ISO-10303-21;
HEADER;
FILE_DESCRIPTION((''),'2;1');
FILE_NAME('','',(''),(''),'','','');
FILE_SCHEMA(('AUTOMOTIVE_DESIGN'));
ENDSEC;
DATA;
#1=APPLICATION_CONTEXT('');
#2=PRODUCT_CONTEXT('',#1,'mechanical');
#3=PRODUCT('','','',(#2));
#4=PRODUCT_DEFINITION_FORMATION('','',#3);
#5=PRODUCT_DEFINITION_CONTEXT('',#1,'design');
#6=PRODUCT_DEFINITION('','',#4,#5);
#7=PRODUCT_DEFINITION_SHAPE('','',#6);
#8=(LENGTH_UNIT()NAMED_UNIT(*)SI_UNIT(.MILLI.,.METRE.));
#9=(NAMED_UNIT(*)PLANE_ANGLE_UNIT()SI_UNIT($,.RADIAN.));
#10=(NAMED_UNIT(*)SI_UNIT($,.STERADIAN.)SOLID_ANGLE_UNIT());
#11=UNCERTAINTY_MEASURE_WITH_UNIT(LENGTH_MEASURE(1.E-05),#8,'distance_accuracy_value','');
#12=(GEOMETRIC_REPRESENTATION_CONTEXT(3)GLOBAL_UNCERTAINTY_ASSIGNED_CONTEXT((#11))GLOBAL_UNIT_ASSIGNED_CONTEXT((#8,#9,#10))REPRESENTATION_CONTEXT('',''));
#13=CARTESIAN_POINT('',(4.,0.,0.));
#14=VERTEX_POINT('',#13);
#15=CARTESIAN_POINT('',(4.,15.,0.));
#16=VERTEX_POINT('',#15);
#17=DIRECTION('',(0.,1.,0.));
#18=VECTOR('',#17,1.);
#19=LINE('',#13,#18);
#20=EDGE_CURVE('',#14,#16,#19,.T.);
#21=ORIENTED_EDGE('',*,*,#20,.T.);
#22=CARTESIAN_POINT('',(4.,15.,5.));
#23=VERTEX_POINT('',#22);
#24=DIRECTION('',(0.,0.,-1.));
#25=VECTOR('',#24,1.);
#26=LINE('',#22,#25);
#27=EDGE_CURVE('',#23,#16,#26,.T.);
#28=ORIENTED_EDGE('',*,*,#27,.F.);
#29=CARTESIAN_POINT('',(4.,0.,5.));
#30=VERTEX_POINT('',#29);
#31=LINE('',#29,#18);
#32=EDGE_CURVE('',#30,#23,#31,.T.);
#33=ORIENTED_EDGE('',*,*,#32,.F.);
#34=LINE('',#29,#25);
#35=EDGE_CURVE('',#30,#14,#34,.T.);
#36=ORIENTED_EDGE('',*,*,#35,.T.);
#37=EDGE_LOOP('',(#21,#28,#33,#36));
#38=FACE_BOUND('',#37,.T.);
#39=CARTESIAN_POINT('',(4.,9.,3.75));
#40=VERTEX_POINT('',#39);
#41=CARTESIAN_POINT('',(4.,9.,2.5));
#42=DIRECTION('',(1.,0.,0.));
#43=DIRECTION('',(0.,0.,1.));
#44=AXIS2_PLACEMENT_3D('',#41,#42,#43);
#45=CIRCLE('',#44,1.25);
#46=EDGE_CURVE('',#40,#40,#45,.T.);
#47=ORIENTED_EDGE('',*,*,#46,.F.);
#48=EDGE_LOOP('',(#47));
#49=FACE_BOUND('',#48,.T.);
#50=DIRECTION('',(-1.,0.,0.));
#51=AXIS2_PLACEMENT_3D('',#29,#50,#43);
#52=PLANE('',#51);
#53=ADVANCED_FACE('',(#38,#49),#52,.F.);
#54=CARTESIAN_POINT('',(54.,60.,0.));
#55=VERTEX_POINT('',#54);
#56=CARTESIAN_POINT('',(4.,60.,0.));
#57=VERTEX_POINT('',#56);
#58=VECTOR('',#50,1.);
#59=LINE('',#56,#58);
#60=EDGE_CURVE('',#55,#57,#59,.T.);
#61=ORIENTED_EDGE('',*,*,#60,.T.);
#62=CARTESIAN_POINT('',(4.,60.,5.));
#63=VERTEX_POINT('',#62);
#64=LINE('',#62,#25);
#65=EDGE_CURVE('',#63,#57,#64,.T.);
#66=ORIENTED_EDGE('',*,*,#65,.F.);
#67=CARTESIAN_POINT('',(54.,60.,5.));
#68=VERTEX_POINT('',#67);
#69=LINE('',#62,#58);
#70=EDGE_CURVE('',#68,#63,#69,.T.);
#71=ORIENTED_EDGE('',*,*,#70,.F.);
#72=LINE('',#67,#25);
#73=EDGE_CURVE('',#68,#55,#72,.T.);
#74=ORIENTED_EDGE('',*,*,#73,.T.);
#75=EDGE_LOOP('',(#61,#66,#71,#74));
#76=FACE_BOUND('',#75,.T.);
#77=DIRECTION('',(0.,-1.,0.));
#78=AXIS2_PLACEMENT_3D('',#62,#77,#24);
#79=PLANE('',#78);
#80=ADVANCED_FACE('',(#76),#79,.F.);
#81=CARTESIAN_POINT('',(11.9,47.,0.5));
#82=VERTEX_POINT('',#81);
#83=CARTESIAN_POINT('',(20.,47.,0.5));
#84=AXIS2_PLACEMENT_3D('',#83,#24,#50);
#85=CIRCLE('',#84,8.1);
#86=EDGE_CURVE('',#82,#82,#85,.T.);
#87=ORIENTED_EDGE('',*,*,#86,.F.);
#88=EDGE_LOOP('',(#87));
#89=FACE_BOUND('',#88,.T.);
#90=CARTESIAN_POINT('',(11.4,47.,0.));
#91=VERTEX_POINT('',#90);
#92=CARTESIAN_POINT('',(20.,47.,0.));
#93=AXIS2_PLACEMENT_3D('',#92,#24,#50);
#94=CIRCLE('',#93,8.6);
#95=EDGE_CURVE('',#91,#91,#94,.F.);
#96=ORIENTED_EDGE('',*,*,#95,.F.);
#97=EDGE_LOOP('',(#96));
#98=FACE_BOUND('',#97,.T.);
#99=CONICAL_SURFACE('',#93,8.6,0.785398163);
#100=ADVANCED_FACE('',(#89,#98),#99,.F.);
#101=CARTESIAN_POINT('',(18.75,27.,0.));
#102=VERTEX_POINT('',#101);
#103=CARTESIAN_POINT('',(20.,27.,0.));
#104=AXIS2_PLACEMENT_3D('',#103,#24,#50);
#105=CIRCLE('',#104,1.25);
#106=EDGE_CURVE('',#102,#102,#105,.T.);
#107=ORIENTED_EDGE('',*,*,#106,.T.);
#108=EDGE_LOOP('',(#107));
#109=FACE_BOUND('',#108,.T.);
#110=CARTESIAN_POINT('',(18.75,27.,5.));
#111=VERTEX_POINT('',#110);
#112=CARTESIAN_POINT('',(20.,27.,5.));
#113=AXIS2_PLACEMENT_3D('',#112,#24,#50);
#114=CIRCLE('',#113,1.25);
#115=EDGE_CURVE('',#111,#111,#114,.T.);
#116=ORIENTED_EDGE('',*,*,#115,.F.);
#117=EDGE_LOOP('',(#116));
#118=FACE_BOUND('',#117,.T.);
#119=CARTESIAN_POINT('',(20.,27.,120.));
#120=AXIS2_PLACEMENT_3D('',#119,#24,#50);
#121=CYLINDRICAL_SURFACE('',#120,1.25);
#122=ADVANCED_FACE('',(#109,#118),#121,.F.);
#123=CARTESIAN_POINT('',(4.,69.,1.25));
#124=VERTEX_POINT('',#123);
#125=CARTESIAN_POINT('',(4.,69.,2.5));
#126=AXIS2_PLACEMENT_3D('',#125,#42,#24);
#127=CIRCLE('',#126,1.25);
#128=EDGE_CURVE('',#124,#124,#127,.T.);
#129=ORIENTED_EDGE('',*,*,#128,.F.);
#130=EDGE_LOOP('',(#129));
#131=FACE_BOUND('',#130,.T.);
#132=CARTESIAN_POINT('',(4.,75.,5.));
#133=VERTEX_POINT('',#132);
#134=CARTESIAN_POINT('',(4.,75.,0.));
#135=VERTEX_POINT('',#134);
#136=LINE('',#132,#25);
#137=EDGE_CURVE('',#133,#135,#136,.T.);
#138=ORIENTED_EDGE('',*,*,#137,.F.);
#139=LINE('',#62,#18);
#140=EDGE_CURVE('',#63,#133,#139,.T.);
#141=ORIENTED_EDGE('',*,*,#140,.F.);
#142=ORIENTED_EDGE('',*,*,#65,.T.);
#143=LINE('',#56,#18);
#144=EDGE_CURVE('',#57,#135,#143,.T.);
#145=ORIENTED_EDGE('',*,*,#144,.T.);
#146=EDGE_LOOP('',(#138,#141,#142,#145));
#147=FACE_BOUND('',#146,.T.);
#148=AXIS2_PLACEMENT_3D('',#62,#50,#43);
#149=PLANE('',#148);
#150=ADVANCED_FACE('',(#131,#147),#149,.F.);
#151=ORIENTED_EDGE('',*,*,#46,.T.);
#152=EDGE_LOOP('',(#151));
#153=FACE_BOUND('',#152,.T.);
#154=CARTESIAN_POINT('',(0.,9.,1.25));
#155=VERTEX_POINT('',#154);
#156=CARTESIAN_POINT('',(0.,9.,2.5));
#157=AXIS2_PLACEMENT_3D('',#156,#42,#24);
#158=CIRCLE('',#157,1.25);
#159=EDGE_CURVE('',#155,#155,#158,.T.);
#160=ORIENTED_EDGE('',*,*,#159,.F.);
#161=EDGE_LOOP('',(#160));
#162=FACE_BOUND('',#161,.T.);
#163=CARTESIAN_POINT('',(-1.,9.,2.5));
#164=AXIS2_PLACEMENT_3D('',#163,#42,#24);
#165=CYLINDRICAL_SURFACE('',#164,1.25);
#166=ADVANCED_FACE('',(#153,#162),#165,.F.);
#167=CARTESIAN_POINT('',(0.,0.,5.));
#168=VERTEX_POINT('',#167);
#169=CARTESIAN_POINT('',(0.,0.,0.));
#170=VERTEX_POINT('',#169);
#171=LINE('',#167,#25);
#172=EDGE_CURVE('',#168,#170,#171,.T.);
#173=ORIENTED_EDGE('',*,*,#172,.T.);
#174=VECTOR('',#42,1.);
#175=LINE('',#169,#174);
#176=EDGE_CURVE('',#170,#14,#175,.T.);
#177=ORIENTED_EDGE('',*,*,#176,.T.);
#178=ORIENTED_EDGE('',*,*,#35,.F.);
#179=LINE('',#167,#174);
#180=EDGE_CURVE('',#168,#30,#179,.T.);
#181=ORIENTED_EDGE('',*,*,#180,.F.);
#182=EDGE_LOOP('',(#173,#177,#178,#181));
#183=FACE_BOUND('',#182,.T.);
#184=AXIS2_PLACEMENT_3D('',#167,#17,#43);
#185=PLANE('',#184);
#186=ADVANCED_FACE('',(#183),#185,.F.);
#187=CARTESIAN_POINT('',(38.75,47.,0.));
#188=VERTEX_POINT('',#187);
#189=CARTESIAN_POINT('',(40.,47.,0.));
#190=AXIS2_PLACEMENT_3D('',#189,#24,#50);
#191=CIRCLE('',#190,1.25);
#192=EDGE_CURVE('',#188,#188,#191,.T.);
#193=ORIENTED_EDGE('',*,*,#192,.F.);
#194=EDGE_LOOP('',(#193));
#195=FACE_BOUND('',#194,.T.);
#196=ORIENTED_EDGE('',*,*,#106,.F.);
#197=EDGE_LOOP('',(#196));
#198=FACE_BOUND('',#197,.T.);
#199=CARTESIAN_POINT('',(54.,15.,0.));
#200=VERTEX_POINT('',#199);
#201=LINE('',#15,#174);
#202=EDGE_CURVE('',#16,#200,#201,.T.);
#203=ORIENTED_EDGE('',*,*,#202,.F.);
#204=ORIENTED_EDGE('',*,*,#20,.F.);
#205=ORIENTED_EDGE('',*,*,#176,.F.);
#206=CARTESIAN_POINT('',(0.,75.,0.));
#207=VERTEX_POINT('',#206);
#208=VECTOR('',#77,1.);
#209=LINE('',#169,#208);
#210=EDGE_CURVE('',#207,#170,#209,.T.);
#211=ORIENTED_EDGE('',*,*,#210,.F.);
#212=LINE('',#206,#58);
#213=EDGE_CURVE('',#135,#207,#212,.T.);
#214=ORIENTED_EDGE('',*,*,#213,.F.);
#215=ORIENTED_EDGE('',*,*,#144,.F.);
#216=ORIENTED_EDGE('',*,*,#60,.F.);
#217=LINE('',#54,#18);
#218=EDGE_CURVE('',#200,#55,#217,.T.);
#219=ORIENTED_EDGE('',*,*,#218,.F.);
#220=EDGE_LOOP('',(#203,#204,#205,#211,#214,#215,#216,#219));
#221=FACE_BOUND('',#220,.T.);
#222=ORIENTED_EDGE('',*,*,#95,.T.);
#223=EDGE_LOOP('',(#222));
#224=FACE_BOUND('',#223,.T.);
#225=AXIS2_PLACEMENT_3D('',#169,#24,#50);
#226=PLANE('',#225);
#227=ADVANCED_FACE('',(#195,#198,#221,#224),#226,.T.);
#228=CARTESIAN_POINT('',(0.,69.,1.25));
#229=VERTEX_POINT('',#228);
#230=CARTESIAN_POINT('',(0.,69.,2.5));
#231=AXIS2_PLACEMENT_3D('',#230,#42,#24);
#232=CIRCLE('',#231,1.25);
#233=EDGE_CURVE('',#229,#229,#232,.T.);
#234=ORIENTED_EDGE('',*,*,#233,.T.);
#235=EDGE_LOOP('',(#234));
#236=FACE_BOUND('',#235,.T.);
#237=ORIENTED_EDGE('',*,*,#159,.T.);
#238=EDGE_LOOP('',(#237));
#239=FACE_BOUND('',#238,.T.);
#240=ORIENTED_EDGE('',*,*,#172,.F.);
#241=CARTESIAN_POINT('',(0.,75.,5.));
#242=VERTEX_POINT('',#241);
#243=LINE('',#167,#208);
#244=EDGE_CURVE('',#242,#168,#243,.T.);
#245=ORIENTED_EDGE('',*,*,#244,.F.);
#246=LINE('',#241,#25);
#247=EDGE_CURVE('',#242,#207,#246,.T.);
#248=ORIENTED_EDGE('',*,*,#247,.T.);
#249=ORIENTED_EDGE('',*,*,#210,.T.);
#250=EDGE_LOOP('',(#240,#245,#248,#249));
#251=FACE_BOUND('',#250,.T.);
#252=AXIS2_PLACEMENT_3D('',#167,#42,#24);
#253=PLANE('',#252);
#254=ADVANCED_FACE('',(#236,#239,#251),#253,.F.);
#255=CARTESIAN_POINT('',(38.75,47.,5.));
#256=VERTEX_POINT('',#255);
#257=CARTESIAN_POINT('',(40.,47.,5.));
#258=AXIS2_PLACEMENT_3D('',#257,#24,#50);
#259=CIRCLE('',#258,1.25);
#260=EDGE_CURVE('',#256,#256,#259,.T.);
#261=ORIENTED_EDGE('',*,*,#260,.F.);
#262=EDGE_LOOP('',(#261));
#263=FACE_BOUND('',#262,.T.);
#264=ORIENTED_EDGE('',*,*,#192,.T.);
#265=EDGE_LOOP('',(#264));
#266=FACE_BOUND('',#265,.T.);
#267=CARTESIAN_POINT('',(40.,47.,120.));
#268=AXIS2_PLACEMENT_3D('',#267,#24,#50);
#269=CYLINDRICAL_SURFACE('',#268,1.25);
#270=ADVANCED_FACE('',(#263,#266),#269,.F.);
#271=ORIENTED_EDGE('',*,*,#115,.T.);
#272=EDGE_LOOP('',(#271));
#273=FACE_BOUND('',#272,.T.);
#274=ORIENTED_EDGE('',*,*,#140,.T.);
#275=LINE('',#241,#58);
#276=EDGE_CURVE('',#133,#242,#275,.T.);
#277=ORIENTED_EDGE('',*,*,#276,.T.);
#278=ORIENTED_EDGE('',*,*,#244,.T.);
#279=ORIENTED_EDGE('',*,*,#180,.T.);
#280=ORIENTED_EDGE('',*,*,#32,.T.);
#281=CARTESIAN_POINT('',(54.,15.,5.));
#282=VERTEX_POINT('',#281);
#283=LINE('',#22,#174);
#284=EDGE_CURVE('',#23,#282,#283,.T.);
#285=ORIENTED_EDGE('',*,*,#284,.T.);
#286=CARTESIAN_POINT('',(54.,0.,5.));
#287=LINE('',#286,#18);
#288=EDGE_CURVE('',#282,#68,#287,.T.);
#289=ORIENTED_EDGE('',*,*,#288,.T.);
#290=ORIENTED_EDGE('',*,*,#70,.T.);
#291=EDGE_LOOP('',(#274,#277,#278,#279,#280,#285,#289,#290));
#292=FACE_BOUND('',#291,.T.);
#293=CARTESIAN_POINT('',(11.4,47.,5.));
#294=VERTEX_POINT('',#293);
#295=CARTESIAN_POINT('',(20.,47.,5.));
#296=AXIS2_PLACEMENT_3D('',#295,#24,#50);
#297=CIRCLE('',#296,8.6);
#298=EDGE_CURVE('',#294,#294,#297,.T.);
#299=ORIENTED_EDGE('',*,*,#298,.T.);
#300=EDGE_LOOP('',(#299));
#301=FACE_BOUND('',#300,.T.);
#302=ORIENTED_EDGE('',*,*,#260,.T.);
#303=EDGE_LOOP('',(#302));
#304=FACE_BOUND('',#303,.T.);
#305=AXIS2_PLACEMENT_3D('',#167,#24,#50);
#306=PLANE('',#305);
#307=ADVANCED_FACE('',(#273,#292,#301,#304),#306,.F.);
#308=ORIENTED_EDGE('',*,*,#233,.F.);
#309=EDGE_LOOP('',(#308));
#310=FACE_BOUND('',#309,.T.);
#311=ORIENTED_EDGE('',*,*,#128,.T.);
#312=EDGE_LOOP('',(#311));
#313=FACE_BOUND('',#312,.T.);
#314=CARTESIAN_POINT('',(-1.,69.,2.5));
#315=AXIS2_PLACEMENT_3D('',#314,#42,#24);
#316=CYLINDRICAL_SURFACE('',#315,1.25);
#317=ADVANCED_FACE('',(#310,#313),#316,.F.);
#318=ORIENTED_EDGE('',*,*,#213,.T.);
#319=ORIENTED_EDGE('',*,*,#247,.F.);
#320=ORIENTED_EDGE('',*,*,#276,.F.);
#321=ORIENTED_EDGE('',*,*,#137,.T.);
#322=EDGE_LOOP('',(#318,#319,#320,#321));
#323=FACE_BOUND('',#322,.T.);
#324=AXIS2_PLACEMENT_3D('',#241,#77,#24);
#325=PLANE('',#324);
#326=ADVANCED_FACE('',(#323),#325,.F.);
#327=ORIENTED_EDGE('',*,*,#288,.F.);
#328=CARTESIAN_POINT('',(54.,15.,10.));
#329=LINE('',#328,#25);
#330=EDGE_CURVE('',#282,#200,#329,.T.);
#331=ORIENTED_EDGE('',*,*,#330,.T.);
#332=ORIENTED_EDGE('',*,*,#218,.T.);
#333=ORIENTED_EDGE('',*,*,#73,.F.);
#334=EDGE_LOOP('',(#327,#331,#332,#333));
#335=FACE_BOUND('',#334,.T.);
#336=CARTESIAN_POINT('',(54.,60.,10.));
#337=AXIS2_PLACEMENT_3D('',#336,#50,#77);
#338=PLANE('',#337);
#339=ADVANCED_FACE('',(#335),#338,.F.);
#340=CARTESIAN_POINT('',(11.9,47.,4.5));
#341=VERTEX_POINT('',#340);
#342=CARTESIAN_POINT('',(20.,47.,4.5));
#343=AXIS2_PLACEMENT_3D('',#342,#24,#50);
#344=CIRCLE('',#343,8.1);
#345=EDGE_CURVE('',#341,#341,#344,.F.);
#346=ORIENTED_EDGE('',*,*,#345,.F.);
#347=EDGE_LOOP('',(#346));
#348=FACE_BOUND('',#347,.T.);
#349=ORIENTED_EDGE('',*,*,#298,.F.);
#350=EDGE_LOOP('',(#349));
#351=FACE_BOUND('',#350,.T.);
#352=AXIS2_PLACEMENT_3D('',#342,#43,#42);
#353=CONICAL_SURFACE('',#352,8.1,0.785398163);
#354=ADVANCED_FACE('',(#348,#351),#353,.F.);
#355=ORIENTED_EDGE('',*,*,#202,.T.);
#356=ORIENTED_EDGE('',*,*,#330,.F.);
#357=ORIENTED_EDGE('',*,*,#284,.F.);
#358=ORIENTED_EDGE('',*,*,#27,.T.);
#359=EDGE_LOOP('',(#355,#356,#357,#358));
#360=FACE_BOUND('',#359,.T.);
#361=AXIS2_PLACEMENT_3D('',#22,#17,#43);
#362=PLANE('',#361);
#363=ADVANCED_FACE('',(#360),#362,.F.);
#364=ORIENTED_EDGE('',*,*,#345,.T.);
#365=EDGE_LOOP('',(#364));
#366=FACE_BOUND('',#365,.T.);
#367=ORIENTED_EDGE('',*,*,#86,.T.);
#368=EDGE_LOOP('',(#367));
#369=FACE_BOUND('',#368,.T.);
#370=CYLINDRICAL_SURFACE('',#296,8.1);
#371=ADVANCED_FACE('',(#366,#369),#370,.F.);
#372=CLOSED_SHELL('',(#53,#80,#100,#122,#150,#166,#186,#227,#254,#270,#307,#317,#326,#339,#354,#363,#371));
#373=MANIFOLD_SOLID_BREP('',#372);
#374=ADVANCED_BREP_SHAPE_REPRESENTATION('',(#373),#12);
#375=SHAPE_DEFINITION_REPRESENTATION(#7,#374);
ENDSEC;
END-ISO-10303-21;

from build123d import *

# Parameters (mm, degrees)
SKETCH_1_R          = 8.1
EXTRUDE_1_DEPTH     = 5
SKETCH_2_R          = 1.25
CUT_EXTRUDE_1_DEPTH = 5
SKETCH_3_R          = 1.25
CUT_EXTRUDE_2_DEPTH = 120
CHAMFER_1_SIZE      = 0.5
SKETCH_4_W          = 16
SKETCH_4_H          = 45
CUT_EXTRUDE_3_DEPTH = 10


with BuildPart() as part:
    # 草图1 → 凸台-拉伸1 (new body)
    with BuildSketch(Plane.XY):
        Polygon((4, 60), (4, 75), (0, 75), (0, 0), (4, 0), (4, 15), (70, 15), (70, 60), align=None)
        with Locations((20, 47)):
            Circle(SKETCH_1_R, mode=Mode.SUBTRACT)
    extrude(amount=EXTRUDE_1_DEPTH)

    # 草图2 → 切除-拉伸1 (cut)
    with BuildSketch(Plane(origin=(4, 0, 0), x_dir=(0, 0, -1), z_dir=(1, 0, 0))):
        with Locations((-2.5, 69)):
            Circle(SKETCH_2_R)
        with Locations((-2.5, 9)):
            Circle(SKETCH_2_R)
    extrude(amount=-CUT_EXTRUDE_1_DEPTH, mode=Mode.SUBTRACT)

    # 草图3 → 切除-拉伸2 (cut)
    with BuildSketch(Plane(origin=(0, 0, 0), x_dir=(-1, 0, 0), z_dir=(0, 0, -1))):
        with Locations((-40, 47)):
            Circle(SKETCH_3_R)
        with Locations((-20, 27)):
            Circle(SKETCH_3_R)
    extrude(amount=-CUT_EXTRUDE_2_DEPTH, mode=Mode.SUBTRACT)

    # 倒角1
    chamfer_1_edges = [part.edges().sort_by_distance(p)[0] for p in [
        (11.9, 47, 0),
        (11.9, 47, 5),
    ]]
    chamfer(chamfer_1_edges, length=CHAMFER_1_SIZE)

    # 草图4 → 切除-拉伸3 (cut)
    with BuildSketch(Plane(origin=(0, 0, 0), x_dir=(-1, 0, 0), z_dir=(0, 0, -1))):
        with Locations((-62, 37.5)):
            Rectangle(SKETCH_4_W, SKETCH_4_H)
    extrude(amount=-CUT_EXTRUDE_3_DEPTH, mode=Mode.SUBTRACT)


solid = part.part
